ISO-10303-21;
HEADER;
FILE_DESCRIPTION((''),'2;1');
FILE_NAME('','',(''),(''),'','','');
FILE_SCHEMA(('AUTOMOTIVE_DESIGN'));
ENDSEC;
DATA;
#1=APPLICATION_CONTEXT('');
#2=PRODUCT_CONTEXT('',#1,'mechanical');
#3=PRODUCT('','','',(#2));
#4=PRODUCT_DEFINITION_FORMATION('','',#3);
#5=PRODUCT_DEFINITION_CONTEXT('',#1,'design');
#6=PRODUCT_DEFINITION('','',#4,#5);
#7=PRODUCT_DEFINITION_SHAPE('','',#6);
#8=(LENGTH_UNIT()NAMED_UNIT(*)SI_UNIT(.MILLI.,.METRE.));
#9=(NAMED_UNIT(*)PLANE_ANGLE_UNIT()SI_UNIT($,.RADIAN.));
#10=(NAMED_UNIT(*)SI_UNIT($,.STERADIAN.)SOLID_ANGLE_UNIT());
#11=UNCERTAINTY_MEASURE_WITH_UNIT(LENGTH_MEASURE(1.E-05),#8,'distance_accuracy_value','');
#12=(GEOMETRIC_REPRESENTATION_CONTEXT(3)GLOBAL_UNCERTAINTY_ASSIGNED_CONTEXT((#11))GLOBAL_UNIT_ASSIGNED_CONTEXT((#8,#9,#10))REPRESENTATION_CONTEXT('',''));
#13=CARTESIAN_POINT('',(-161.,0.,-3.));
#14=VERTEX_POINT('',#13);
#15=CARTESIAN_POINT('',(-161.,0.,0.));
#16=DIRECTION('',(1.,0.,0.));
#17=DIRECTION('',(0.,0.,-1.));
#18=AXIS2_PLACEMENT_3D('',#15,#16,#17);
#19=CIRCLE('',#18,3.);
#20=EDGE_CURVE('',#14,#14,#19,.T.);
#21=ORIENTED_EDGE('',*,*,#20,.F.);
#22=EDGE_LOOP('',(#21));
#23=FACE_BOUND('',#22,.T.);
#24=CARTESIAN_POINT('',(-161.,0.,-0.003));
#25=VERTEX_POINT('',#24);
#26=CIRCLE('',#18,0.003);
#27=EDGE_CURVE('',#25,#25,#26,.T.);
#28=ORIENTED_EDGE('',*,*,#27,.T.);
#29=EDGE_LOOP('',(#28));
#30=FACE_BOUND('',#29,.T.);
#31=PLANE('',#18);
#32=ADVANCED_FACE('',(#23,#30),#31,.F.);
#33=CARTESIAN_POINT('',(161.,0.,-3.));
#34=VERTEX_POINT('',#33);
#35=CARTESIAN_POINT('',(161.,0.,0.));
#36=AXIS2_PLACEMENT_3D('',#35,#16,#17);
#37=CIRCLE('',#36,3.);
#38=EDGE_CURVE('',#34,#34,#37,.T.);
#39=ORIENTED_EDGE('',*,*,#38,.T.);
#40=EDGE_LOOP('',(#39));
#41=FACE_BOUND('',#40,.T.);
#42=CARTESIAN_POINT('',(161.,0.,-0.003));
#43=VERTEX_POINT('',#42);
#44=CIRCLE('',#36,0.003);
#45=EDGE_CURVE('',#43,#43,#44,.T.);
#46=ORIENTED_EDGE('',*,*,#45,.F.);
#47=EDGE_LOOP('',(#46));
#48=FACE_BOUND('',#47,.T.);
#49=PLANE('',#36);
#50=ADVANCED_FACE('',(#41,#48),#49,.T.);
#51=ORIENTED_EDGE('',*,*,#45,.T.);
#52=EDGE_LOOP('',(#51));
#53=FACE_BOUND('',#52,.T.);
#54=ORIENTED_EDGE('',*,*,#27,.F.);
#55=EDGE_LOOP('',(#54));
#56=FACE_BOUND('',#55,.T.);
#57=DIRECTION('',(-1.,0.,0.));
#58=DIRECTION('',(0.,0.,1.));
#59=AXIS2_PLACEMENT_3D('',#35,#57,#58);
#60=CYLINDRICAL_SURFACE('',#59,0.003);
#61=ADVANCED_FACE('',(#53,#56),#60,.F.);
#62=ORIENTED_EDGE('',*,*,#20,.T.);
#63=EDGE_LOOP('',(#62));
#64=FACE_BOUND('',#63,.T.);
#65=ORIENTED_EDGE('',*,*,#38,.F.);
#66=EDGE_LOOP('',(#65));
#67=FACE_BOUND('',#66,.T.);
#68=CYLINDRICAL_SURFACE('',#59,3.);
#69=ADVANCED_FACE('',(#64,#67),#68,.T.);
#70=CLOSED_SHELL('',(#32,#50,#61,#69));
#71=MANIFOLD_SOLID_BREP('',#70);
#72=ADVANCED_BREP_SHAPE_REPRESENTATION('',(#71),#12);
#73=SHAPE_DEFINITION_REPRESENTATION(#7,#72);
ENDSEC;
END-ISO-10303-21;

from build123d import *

# Parameters (mm, degrees)
SKETCH1_R           = 3
SKETCH1_R_2         = 0.003
BOSS_EXTRUDE1_DEPTH = 161


with BuildPart() as part:
    # Sketch1 → Boss-Extrude1 (new body, symmetric)
    with BuildSketch(Plane(origin=(0, 0, 0), x_dir=(0, 0, -1), z_dir=(1, 0, 0))):
        Circle(SKETCH1_R)
        Circle(SKETCH1_R_2, mode=Mode.SUBTRACT)
    extrude(amount=BOSS_EXTRUDE1_DEPTH, both=True)


solid = part.part
